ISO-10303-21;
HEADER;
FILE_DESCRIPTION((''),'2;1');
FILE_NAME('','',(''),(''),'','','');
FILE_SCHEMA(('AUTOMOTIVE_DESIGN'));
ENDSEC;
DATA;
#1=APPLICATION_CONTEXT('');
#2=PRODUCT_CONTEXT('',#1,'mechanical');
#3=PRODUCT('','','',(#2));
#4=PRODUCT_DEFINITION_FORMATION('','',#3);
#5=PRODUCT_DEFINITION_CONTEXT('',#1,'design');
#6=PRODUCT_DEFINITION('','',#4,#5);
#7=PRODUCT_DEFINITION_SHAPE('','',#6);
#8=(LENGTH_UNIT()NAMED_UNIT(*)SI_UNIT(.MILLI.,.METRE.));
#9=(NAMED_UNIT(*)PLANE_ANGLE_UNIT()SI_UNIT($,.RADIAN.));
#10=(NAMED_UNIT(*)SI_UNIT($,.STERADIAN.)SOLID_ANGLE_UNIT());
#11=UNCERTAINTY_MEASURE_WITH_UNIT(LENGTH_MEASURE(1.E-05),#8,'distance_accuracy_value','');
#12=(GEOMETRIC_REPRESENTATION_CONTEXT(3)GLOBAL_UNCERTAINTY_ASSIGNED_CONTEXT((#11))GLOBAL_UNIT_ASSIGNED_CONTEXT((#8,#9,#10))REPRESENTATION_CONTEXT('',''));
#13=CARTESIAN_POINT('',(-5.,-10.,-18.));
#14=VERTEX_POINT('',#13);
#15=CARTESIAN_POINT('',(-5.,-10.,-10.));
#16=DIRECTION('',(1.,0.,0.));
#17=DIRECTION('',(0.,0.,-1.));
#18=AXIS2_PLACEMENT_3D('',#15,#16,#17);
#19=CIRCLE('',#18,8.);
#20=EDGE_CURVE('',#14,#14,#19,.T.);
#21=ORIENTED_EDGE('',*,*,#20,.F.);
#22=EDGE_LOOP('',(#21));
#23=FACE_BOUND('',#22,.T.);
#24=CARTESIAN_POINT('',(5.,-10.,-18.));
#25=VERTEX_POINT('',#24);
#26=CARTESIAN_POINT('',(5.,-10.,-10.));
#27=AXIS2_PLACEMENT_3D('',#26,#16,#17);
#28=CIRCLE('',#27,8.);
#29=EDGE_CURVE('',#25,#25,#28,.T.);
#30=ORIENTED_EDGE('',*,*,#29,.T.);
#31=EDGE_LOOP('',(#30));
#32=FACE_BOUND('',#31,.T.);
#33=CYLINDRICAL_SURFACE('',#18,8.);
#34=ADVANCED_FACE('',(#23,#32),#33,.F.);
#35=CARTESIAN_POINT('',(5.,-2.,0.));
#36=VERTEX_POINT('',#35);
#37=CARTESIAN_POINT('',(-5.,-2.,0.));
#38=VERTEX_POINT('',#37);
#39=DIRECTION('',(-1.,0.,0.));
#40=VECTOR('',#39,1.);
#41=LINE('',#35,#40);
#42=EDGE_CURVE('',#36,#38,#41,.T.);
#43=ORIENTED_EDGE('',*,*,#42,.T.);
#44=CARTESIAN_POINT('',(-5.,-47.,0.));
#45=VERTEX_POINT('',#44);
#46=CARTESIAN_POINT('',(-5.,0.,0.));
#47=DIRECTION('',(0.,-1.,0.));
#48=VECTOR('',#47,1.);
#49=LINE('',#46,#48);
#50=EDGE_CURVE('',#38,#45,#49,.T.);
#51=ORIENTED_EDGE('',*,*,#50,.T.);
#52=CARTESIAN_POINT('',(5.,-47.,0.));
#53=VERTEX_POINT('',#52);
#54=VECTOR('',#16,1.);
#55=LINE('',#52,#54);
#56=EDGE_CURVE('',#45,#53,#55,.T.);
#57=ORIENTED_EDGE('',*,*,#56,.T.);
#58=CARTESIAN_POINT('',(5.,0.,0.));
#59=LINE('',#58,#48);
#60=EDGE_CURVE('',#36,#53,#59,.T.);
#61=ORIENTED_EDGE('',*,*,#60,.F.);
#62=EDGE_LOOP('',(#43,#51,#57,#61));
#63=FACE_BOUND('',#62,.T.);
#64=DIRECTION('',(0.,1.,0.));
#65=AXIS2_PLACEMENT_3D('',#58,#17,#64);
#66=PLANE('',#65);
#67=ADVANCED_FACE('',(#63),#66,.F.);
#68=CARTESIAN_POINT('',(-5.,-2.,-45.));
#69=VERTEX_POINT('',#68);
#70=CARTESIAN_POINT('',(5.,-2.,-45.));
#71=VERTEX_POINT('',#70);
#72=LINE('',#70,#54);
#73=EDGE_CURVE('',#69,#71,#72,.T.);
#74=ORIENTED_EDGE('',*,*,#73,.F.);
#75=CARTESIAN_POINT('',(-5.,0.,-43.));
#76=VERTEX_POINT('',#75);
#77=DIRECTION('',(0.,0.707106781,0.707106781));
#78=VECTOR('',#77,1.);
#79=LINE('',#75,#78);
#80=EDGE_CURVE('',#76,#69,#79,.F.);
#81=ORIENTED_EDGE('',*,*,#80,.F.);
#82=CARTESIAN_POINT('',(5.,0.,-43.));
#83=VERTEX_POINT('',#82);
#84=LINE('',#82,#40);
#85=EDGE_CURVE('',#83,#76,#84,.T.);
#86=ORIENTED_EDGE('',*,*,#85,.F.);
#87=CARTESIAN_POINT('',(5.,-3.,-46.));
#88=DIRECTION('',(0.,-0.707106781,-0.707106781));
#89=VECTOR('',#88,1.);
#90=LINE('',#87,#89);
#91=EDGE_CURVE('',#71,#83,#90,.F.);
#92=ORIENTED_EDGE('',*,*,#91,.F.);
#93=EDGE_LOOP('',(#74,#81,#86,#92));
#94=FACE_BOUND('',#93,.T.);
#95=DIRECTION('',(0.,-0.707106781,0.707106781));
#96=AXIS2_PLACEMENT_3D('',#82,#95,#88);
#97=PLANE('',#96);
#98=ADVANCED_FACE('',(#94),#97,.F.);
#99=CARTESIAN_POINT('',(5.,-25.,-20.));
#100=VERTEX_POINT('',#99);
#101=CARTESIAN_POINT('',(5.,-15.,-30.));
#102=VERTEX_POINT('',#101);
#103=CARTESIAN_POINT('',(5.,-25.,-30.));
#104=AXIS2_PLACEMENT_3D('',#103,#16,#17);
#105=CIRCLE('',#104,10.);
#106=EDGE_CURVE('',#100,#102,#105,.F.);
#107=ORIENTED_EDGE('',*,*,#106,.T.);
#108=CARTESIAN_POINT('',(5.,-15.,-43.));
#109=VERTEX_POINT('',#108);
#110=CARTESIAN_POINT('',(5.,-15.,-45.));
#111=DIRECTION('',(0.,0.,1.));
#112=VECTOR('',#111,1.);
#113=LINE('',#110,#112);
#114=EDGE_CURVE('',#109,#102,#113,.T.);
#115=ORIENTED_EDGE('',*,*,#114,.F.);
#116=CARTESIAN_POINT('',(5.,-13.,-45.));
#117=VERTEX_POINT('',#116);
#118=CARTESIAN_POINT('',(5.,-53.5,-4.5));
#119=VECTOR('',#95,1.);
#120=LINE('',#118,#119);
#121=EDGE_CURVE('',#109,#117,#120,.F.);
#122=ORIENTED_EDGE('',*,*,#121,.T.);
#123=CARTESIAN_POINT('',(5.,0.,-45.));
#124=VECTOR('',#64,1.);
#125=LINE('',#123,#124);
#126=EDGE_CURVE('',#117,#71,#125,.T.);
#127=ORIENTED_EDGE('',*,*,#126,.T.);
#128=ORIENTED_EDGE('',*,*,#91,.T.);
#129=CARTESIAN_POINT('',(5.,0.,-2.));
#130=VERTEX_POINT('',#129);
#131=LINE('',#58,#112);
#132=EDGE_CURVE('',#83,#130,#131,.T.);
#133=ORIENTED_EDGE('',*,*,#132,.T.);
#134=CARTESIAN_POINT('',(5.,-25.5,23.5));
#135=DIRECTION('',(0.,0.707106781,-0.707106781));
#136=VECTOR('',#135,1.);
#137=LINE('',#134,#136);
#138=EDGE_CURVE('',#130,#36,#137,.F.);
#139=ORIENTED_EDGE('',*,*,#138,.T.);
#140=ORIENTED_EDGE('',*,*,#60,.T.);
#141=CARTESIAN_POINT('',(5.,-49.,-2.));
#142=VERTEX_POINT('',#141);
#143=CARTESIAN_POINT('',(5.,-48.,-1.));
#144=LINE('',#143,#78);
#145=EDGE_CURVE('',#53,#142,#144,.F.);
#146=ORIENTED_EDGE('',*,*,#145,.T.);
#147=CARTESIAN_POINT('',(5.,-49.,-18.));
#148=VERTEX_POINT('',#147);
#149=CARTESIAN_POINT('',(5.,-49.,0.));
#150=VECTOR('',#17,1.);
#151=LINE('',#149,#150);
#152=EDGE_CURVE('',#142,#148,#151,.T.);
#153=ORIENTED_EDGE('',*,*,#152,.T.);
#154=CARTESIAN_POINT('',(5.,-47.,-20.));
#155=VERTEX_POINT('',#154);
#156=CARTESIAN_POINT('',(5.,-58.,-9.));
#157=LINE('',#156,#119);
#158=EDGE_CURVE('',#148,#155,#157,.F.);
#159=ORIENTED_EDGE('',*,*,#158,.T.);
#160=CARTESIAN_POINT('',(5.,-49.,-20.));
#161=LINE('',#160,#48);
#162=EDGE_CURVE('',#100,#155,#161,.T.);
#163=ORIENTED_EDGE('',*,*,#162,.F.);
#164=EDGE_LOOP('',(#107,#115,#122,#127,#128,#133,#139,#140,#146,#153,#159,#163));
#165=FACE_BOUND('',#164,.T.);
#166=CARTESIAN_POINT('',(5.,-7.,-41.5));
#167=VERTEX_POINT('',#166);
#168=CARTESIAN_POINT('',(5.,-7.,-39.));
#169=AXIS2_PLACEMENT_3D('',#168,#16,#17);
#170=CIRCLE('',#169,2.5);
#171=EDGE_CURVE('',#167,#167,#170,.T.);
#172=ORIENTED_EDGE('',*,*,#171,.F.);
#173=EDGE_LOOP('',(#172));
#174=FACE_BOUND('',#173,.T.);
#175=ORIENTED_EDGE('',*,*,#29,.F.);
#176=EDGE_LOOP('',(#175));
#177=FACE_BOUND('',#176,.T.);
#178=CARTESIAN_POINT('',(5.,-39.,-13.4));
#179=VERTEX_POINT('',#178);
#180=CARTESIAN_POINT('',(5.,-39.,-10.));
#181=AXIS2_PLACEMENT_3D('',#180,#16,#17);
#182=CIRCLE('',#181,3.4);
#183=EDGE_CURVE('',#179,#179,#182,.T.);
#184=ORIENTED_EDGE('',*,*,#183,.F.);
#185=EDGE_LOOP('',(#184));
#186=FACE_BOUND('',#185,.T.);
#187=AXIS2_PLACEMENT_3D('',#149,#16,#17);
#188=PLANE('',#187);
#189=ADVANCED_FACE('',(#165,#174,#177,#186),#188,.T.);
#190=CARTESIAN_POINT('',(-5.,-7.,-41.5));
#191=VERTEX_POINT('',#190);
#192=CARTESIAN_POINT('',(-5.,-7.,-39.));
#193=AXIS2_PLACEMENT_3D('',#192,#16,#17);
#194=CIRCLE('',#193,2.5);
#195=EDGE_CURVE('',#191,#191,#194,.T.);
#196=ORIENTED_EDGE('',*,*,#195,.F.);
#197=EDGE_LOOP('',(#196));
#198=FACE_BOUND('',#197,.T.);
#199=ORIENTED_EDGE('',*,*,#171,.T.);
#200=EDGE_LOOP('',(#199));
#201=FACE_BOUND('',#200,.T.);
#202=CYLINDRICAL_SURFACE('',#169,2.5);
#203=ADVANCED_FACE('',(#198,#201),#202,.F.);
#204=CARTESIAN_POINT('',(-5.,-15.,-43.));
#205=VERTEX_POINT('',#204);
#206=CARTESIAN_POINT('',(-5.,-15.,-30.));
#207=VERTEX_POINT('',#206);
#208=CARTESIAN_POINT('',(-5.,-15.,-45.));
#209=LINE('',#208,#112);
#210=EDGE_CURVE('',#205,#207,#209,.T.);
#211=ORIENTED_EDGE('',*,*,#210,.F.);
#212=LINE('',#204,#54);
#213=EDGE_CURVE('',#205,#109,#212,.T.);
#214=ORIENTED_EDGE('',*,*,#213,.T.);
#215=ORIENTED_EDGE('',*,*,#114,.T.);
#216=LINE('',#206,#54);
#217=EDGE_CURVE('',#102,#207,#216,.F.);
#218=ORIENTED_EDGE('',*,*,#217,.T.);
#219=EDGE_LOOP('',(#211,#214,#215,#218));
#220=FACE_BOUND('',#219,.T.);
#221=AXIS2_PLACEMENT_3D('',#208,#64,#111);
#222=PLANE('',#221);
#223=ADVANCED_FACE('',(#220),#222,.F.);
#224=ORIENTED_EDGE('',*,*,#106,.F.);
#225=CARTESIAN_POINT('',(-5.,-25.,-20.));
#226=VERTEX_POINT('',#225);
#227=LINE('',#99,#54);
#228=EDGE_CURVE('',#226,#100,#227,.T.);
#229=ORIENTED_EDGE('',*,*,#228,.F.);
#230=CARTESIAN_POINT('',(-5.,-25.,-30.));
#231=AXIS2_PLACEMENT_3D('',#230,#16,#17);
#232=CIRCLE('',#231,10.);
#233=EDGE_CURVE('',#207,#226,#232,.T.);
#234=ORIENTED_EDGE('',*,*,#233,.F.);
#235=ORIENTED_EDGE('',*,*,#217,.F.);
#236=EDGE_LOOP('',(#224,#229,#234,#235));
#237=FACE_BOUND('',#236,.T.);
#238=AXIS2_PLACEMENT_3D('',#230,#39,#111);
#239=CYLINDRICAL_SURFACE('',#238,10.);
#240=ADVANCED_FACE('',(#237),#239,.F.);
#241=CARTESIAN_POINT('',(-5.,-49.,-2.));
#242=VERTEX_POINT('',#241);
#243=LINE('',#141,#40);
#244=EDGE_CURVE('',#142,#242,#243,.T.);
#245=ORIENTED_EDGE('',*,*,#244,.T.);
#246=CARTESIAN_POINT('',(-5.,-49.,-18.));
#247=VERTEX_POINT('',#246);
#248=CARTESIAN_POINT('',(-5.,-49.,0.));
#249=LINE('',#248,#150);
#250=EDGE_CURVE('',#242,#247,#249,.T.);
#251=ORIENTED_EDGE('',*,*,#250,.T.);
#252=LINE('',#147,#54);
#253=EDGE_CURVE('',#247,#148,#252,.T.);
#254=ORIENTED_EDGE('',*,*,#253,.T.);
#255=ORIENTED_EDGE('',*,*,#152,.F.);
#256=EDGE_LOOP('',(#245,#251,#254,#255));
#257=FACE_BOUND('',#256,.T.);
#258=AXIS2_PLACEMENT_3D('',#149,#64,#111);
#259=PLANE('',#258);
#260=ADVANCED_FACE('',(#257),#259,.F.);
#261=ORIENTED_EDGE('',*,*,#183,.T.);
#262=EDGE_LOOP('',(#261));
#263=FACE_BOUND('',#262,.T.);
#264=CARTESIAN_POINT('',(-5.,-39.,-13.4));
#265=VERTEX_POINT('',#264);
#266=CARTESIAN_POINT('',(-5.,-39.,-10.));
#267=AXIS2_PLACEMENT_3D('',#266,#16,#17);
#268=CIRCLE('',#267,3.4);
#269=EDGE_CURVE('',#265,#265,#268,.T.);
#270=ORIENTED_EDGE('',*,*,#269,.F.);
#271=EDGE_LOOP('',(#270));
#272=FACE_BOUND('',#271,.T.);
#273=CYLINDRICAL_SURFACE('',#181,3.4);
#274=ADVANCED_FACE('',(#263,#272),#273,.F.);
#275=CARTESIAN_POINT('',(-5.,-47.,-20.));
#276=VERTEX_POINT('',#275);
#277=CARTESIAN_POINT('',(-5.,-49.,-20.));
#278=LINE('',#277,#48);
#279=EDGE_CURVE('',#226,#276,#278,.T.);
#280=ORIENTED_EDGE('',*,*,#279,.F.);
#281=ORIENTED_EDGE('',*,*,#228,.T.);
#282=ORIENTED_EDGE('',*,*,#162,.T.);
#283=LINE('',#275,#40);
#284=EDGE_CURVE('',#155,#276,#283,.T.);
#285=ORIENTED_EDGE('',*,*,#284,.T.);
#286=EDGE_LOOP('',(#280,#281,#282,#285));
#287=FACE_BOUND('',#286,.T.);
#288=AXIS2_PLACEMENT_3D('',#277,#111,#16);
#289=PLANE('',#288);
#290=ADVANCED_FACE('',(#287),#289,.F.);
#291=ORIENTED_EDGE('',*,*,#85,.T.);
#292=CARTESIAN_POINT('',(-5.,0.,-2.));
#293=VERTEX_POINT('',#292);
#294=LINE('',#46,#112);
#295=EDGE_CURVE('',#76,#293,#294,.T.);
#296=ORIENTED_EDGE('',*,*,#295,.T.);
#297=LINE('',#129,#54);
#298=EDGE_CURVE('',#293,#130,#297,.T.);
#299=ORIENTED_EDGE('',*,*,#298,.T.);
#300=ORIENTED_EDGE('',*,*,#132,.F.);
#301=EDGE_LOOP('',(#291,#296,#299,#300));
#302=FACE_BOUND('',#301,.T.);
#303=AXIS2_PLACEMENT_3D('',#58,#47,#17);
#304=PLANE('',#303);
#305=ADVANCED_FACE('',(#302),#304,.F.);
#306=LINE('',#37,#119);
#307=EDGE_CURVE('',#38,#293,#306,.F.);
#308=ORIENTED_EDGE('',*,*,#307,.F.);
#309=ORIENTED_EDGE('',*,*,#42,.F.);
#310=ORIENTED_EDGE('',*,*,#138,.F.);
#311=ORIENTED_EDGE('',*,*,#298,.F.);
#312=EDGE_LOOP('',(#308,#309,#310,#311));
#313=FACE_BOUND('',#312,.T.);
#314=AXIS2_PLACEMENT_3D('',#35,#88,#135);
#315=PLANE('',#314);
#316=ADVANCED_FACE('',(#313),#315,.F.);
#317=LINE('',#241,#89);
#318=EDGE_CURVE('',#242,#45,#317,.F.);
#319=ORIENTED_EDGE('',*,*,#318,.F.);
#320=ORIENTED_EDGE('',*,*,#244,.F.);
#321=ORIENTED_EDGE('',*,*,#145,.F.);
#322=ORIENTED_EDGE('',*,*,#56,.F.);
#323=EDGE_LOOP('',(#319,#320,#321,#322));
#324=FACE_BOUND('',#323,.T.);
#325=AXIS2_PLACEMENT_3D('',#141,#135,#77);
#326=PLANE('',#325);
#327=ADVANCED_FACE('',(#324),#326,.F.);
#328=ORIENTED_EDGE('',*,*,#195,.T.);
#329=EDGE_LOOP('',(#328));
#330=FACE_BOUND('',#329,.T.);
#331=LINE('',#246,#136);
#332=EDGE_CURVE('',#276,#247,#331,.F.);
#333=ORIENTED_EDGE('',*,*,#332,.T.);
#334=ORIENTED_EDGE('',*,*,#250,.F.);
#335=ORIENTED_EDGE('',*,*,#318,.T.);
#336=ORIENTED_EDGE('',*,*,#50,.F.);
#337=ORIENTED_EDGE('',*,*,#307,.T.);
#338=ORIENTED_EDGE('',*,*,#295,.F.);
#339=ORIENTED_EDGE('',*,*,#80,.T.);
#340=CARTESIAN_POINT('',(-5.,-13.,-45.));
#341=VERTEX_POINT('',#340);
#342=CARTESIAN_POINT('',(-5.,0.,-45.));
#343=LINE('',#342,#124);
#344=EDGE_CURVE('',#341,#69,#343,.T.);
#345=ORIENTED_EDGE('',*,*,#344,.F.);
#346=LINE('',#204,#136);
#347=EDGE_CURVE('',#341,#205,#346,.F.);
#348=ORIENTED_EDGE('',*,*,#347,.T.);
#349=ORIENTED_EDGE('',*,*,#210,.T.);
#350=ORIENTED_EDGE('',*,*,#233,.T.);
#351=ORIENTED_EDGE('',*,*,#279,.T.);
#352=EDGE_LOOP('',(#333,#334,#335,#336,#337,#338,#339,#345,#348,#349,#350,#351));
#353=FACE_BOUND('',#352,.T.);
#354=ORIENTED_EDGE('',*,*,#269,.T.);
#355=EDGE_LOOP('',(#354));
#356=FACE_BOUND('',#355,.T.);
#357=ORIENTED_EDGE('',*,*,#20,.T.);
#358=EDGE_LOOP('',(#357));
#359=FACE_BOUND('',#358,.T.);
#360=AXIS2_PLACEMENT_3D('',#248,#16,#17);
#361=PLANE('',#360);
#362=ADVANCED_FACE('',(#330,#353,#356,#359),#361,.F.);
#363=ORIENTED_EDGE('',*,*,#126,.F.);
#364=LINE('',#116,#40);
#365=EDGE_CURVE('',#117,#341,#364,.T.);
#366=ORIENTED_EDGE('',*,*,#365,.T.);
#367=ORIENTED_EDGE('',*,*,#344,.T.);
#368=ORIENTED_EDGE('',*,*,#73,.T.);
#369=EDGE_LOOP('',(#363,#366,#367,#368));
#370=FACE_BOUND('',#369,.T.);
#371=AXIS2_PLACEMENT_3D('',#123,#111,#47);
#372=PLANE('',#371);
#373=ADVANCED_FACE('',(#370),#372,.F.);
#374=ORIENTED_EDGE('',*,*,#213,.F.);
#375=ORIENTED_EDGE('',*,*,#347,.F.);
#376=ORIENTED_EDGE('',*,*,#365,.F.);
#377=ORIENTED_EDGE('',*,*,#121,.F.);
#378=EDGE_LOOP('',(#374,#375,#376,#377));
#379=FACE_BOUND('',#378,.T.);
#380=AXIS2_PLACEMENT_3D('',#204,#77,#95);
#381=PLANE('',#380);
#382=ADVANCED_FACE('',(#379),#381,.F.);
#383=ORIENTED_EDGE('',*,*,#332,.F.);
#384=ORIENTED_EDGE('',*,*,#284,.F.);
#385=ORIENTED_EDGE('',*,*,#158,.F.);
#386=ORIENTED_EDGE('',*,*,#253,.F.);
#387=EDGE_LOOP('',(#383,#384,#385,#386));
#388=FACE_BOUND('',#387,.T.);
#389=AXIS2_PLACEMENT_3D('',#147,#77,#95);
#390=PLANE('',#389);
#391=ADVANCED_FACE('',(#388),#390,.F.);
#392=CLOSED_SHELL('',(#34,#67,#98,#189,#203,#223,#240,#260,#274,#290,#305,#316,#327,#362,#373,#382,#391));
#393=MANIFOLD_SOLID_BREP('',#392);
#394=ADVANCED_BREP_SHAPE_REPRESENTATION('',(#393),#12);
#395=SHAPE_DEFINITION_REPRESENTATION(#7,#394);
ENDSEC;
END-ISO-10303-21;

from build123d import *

# Parameters (mm, degrees)
SKETCH1_W              = 45
SKETCH1_H              = 49
BOSS_EXTRUDE1_DEPTH    = 5
SKETCH2_W              = 25
SKETCH2_H              = 34
CUT_EXTRUDE1_DEPTH     = 68.275552766
SKETCH3_R              = 8
CUT_EXTRUDE2_DEPTH     = 68.275552766
M8X1_25_TAPPED_HOLE1_D = 6.8
M6X1_0_TAPPED_HOLE1_D  = 5
FILLET1_R              = 10
CHAMFER1_SIZE          = 2


with BuildPart() as part:
    # Sketch1 → Boss-Extrude1 (new, symmetric)
    with BuildSketch(Plane(origin=(0, 0, 0), x_dir=(0, 0, -1), z_dir=(1, 0, 0))):
        with Locations((22.5, -24.5)):
            Rectangle(SKETCH1_W, SKETCH1_H)
    extrude(amount=BOSS_EXTRUDE1_DEPTH, both=True)

    # Sketch2 → Cut-Extrude1 (cut, through all)
    with BuildSketch(Plane(origin=(5, 0, 0), x_dir=(0, 0, -1), z_dir=(1, 0, 0))):
        with Locations((32.5, -32)):
            Rectangle(SKETCH2_W, SKETCH2_H)
    extrude(amount=-CUT_EXTRUDE1_DEPTH, mode=Mode.SUBTRACT)

    # Sketch3 → Cut-Extrude2 (cut, through all)
    with BuildSketch(Plane(origin=(5, 0, 0), x_dir=(0, 0, -1), z_dir=(1, 0, 0))):
        with Locations((10, -10)):
            Circle(SKETCH3_R)
    extrude(amount=-CUT_EXTRUDE2_DEPTH, mode=Mode.SUBTRACT)

    # M8x1.25 Tapped Hole1 (through all)
    with Locations(Plane(origin=(5, 0, 0), x_dir=(0, 0, -1), z_dir=(1, 0, 0))):
        with Locations((10, -39)):
            Hole(M8X1_25_TAPPED_HOLE1_D / 2)

    # M6x1.0 Tapped Hole1 (through all)
    with Locations(Plane(origin=(5, 0, 0), x_dir=(0, 0, -1), z_dir=(1, 0, 0))):
        with Locations((39, -7)):
            Hole(M6X1_0_TAPPED_HOLE1_D / 2)

    # Fillet1
    fillet1_edges = [part.edges().sort_by_distance(p)[0] for p in [
        (0, -15, -20),
    ]]
    fillet(fillet1_edges, radius=FILLET1_R)

    # Chamfer1
    chamfer1_edges = [part.edges().sort_by_distance(p)[0] for p in [
        (0, -15, -45),
        (0, -49, -20),
        (0, 0, 0),
        (0, 0, -45),
        (0, -49, 0),
    ]]
    chamfer(chamfer1_edges, length=CHAMFER1_SIZE)


solid = part.part
